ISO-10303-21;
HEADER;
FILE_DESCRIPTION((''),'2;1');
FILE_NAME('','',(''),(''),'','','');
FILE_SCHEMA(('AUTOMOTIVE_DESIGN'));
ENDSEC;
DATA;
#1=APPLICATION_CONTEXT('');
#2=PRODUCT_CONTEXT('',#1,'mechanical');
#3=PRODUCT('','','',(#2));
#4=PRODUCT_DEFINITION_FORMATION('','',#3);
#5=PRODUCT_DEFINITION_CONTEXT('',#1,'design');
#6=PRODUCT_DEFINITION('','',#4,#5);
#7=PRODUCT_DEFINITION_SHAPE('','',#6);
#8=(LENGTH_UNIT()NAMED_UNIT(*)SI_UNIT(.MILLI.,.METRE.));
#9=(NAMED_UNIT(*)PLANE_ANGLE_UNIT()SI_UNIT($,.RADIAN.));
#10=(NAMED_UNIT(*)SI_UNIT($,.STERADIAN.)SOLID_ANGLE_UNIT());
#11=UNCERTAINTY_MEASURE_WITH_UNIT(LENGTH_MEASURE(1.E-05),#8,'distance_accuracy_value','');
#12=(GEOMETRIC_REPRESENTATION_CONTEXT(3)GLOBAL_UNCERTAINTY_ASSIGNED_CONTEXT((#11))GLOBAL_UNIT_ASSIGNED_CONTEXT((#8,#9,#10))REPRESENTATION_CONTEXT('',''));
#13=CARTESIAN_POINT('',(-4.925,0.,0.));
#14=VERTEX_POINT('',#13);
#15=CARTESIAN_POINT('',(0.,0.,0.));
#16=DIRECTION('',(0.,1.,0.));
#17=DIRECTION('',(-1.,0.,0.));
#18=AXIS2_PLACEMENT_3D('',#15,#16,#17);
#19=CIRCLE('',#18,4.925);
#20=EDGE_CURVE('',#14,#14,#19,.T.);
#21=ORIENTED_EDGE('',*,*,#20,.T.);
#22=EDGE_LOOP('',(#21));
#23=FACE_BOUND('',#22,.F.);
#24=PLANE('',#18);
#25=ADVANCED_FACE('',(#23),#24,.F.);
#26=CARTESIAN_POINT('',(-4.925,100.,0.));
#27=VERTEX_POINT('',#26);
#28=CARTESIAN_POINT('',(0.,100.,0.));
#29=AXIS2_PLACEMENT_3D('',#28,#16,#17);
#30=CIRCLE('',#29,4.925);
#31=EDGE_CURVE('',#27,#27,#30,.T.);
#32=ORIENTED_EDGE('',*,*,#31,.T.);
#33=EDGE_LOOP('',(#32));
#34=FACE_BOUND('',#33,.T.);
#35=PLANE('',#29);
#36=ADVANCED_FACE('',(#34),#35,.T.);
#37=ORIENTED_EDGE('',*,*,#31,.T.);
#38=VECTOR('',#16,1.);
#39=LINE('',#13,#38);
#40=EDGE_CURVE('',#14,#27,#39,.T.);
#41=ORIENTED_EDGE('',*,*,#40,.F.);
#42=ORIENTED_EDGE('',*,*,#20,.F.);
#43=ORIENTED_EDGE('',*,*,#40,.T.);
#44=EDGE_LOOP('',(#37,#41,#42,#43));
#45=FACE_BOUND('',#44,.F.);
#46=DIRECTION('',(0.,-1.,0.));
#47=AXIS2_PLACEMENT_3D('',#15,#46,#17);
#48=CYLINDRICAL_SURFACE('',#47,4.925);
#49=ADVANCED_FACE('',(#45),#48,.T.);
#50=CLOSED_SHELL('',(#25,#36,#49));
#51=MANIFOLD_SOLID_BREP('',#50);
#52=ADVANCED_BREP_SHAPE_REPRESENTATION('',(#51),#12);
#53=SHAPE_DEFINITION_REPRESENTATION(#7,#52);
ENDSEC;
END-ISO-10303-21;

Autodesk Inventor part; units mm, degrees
ref_plane "YZ Plane" through (0, 0, 0) normal (1, 0, 0) x (0, 1, 0)
ref_plane "XZ Plane" through (0, 0, 0) normal (0, 1, 0) x (-1, 0, 0)
ref_plane "XY Plane" through (0, 0, 0) normal (0, 0, 1) x (1, 0, 0)
sketch "Sketch1" plane through (0, 0, 0) normal (0, 1, 0) x (-1, 0, 0)
  circle A0 centre (0, 0) radius 4.925
  dimension "d0" = 9.85
extrude "Extrusion1" add sketch "Sketch1" along normal blind 100
properties part number "Pillar"
